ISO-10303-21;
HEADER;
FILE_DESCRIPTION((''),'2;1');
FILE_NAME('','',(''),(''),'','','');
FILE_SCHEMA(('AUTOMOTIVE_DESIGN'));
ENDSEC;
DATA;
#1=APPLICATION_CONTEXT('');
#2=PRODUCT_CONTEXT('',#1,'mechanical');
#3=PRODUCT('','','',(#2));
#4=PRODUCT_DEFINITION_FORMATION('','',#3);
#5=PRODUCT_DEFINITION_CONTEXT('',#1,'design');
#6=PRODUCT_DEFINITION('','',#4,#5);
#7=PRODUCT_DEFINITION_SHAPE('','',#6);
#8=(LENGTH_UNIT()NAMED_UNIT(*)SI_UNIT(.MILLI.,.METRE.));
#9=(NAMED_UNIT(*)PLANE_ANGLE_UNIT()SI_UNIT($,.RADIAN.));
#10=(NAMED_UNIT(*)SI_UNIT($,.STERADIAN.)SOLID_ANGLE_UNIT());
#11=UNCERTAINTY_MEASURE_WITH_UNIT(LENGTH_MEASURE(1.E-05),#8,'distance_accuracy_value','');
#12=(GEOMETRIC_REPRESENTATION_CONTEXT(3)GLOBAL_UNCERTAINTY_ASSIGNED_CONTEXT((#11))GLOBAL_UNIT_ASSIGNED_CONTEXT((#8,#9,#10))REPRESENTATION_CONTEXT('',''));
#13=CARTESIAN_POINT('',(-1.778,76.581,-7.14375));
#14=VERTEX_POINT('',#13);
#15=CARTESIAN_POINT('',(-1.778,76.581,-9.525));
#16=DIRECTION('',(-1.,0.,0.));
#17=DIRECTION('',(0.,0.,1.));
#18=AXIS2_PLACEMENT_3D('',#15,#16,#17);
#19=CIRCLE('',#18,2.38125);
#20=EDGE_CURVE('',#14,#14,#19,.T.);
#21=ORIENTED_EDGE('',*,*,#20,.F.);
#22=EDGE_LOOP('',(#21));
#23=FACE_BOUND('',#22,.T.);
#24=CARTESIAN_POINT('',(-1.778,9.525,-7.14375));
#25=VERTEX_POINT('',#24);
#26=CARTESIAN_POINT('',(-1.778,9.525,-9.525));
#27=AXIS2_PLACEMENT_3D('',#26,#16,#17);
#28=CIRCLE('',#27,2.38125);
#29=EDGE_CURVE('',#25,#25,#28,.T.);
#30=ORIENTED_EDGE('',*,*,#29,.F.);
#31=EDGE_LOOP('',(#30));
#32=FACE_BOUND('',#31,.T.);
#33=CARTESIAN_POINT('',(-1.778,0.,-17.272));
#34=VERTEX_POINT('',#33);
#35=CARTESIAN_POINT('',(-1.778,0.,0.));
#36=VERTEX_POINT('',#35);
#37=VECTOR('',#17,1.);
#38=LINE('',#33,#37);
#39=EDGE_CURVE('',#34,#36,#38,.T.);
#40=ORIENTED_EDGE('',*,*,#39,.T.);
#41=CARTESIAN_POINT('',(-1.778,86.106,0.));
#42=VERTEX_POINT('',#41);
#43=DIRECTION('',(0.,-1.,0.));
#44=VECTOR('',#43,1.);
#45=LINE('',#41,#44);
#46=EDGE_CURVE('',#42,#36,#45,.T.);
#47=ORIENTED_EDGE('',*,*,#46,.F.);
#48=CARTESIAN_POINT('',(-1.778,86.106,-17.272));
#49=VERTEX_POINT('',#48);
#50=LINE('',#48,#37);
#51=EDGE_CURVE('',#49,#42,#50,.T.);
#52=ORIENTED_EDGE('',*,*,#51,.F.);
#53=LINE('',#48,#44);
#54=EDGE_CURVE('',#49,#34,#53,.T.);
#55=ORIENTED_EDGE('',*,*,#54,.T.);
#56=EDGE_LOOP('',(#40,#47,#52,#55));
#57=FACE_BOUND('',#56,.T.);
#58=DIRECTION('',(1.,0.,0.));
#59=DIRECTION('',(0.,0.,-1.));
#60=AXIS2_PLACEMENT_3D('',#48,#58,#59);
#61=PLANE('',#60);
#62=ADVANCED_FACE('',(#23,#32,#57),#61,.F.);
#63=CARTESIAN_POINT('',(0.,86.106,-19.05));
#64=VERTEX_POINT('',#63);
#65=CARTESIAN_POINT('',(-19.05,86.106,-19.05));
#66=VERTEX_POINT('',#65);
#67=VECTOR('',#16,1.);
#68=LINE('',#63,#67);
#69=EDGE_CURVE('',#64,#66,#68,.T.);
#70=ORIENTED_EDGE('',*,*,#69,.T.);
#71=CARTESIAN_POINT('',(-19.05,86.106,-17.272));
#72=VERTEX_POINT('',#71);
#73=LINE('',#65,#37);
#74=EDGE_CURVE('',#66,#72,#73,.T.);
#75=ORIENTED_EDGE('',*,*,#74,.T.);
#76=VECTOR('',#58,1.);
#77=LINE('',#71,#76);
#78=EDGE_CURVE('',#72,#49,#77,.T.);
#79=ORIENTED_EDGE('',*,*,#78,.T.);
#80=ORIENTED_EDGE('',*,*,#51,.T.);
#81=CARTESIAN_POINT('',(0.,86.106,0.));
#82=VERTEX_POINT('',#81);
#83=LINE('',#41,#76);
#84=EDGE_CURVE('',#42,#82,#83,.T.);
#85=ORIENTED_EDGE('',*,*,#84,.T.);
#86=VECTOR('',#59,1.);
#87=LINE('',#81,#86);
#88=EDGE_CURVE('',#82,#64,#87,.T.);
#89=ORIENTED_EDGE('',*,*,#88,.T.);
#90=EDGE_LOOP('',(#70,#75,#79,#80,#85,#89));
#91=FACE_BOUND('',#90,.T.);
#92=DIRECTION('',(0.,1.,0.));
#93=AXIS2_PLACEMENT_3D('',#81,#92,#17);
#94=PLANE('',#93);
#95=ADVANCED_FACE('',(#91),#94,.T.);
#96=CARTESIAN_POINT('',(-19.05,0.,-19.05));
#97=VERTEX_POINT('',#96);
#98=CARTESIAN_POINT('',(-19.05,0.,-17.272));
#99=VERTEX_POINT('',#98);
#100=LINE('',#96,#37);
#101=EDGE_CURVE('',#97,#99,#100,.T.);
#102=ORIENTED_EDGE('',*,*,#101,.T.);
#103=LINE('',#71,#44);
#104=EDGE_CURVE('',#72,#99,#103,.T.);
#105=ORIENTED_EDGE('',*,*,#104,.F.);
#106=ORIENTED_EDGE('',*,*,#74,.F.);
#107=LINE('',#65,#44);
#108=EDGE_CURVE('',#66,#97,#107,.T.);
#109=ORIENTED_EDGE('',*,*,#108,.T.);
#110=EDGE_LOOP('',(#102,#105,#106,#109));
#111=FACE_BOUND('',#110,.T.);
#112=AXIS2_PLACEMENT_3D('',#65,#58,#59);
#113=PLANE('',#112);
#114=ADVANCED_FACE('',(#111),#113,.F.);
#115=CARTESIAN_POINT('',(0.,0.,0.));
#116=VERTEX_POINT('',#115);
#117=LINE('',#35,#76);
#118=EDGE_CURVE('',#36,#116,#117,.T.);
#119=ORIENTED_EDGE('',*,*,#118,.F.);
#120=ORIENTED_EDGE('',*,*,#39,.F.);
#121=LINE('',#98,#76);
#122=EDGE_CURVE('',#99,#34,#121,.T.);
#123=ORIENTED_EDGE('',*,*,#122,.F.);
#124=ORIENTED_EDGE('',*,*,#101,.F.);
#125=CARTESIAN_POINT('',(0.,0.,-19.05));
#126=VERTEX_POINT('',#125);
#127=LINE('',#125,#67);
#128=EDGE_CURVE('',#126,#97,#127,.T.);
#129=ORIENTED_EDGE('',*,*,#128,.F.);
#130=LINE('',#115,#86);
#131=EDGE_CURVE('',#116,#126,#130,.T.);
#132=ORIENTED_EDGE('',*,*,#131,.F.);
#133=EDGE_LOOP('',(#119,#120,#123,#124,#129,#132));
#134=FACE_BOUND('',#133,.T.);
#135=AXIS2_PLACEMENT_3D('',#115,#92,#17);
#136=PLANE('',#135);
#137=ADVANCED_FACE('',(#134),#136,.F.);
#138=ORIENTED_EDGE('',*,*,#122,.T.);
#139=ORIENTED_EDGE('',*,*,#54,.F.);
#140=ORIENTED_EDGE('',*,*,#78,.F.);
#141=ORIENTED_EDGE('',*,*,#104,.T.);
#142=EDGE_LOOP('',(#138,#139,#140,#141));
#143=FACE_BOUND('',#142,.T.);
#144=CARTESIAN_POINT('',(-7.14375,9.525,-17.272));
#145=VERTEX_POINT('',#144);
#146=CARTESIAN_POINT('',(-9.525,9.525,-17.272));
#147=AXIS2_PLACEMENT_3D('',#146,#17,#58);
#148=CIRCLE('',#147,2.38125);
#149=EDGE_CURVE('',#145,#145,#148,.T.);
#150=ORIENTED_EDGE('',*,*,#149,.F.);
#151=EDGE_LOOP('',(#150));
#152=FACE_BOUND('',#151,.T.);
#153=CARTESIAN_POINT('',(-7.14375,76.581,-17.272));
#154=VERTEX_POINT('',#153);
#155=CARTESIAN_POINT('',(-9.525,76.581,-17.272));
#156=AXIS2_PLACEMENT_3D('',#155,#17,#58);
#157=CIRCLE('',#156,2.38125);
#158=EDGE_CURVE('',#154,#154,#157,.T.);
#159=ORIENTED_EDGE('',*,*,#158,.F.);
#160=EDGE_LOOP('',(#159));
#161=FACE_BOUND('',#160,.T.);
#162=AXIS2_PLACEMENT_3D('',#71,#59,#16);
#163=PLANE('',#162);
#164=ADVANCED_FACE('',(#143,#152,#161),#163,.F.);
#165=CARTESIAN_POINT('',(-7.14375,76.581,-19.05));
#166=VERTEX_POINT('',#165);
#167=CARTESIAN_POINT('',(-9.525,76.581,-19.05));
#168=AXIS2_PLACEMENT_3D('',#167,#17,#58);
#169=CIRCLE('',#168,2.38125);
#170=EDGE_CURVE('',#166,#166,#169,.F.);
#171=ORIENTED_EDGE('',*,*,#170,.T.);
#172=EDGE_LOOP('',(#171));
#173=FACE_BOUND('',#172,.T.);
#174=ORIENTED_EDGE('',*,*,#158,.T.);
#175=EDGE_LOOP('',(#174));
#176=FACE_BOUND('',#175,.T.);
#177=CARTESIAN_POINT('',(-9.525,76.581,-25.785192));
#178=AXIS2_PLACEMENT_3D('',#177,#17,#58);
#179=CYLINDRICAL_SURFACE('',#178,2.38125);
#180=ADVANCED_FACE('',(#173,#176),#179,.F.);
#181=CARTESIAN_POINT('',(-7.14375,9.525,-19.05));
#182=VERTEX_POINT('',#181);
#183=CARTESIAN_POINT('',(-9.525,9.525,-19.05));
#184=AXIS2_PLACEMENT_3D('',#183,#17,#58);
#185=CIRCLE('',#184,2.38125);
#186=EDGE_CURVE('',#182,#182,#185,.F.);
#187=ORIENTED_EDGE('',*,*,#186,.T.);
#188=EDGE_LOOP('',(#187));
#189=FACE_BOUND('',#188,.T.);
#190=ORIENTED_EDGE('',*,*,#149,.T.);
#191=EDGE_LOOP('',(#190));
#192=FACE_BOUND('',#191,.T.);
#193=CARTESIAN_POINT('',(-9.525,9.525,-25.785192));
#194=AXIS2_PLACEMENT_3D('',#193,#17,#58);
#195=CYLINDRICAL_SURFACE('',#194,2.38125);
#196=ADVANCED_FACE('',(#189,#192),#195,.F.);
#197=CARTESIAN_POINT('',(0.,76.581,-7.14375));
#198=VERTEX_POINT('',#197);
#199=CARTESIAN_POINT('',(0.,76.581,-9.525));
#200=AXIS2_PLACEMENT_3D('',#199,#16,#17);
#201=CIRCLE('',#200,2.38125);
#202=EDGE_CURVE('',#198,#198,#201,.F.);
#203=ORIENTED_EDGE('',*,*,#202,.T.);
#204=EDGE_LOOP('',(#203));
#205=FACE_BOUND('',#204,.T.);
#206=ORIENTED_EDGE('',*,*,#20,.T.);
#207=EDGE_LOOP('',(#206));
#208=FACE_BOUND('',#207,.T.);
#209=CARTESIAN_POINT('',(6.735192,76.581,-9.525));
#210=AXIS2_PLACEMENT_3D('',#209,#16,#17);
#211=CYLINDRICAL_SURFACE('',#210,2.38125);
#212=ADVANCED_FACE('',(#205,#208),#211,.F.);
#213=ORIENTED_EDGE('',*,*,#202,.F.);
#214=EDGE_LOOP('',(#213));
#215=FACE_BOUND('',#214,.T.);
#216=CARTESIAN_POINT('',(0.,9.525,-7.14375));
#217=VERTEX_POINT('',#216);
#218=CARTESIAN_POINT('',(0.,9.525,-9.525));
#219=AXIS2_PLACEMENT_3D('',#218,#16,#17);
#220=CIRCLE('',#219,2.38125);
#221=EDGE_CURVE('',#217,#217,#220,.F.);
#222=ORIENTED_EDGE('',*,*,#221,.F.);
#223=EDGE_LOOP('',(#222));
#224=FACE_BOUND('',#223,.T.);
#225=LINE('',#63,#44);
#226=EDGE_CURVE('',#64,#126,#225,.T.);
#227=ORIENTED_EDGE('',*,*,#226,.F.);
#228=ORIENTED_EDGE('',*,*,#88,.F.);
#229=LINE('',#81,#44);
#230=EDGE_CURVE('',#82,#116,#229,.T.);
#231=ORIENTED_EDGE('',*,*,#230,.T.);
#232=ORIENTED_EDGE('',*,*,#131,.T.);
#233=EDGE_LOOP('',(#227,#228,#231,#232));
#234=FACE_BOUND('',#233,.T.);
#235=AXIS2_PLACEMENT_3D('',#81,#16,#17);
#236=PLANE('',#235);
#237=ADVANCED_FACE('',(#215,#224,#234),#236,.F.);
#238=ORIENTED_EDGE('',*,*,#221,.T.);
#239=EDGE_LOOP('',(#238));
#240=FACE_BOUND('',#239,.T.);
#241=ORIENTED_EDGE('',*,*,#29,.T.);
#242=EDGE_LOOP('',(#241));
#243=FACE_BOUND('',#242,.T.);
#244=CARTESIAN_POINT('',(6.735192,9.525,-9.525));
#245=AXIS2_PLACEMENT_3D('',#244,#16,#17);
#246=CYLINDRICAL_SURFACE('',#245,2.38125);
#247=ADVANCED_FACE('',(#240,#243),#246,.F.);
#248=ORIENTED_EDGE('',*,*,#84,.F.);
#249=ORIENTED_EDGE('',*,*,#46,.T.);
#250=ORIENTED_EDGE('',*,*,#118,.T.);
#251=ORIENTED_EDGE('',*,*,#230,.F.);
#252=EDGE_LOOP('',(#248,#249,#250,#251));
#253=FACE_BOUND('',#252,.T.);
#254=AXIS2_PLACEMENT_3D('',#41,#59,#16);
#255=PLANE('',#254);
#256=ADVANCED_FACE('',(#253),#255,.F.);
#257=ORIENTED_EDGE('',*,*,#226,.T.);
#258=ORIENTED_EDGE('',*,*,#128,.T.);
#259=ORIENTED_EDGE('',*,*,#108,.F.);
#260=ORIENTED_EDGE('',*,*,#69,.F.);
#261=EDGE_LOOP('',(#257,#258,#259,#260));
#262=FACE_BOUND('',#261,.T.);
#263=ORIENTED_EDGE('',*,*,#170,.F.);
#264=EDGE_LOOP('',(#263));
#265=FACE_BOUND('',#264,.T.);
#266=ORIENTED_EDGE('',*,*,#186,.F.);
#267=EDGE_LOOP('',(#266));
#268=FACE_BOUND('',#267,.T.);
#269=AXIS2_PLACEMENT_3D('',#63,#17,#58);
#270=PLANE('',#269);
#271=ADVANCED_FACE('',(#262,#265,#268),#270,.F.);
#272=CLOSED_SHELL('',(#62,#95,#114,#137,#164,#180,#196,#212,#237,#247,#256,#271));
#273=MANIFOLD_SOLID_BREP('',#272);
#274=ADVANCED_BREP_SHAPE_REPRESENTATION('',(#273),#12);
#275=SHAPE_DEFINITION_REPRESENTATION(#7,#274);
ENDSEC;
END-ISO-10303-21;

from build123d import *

# Parameters (mm, degrees)
BOSS_EXTRUDE1_DEPTH = 86.106
SKETCH2_R           = 2.38125
CUT_EXTRUDE1_DEPTH  = 1.778
SKETCH3_R           = 2.38125
CUT_EXTRUDE2_DEPTH  = 1.778


with BuildPart() as part:
    # Sketch1 → Boss-Extrude1 (new body)
    with BuildSketch(Plane(origin=(0, 0, 0), x_dir=(1, 0, 0), z_dir=(0, 1, 0))):
        Polygon((0, 0), (0, 19.05), (-19.05, 19.05), (-19.05, 17.272), (-1.778, 17.272), (-1.778, 0), align=None)
    extrude(amount=BOSS_EXTRUDE1_DEPTH)

    # Sketch2 → Cut-Extrude1 (cut)
    with BuildSketch(Plane.ZY.offset(1.778)):
        with Locations((-9.525, 76.581)):
            Circle(SKETCH2_R)
        with Locations((-9.525, 9.525)):
            Circle(SKETCH2_R)
    extrude(amount=-CUT_EXTRUDE1_DEPTH, mode=Mode.SUBTRACT)

    # Sketch3 → Cut-Extrude2 (cut)
    with BuildSketch(Plane.XY.offset(-17.272)):
        with Locations((-9.525, 9.525)):
            Circle(SKETCH3_R)
        with Locations((-9.525, 76.581)):
            Circle(SKETCH3_R)
    extrude(amount=-CUT_EXTRUDE2_DEPTH, mode=Mode.SUBTRACT)


solid = part.part
